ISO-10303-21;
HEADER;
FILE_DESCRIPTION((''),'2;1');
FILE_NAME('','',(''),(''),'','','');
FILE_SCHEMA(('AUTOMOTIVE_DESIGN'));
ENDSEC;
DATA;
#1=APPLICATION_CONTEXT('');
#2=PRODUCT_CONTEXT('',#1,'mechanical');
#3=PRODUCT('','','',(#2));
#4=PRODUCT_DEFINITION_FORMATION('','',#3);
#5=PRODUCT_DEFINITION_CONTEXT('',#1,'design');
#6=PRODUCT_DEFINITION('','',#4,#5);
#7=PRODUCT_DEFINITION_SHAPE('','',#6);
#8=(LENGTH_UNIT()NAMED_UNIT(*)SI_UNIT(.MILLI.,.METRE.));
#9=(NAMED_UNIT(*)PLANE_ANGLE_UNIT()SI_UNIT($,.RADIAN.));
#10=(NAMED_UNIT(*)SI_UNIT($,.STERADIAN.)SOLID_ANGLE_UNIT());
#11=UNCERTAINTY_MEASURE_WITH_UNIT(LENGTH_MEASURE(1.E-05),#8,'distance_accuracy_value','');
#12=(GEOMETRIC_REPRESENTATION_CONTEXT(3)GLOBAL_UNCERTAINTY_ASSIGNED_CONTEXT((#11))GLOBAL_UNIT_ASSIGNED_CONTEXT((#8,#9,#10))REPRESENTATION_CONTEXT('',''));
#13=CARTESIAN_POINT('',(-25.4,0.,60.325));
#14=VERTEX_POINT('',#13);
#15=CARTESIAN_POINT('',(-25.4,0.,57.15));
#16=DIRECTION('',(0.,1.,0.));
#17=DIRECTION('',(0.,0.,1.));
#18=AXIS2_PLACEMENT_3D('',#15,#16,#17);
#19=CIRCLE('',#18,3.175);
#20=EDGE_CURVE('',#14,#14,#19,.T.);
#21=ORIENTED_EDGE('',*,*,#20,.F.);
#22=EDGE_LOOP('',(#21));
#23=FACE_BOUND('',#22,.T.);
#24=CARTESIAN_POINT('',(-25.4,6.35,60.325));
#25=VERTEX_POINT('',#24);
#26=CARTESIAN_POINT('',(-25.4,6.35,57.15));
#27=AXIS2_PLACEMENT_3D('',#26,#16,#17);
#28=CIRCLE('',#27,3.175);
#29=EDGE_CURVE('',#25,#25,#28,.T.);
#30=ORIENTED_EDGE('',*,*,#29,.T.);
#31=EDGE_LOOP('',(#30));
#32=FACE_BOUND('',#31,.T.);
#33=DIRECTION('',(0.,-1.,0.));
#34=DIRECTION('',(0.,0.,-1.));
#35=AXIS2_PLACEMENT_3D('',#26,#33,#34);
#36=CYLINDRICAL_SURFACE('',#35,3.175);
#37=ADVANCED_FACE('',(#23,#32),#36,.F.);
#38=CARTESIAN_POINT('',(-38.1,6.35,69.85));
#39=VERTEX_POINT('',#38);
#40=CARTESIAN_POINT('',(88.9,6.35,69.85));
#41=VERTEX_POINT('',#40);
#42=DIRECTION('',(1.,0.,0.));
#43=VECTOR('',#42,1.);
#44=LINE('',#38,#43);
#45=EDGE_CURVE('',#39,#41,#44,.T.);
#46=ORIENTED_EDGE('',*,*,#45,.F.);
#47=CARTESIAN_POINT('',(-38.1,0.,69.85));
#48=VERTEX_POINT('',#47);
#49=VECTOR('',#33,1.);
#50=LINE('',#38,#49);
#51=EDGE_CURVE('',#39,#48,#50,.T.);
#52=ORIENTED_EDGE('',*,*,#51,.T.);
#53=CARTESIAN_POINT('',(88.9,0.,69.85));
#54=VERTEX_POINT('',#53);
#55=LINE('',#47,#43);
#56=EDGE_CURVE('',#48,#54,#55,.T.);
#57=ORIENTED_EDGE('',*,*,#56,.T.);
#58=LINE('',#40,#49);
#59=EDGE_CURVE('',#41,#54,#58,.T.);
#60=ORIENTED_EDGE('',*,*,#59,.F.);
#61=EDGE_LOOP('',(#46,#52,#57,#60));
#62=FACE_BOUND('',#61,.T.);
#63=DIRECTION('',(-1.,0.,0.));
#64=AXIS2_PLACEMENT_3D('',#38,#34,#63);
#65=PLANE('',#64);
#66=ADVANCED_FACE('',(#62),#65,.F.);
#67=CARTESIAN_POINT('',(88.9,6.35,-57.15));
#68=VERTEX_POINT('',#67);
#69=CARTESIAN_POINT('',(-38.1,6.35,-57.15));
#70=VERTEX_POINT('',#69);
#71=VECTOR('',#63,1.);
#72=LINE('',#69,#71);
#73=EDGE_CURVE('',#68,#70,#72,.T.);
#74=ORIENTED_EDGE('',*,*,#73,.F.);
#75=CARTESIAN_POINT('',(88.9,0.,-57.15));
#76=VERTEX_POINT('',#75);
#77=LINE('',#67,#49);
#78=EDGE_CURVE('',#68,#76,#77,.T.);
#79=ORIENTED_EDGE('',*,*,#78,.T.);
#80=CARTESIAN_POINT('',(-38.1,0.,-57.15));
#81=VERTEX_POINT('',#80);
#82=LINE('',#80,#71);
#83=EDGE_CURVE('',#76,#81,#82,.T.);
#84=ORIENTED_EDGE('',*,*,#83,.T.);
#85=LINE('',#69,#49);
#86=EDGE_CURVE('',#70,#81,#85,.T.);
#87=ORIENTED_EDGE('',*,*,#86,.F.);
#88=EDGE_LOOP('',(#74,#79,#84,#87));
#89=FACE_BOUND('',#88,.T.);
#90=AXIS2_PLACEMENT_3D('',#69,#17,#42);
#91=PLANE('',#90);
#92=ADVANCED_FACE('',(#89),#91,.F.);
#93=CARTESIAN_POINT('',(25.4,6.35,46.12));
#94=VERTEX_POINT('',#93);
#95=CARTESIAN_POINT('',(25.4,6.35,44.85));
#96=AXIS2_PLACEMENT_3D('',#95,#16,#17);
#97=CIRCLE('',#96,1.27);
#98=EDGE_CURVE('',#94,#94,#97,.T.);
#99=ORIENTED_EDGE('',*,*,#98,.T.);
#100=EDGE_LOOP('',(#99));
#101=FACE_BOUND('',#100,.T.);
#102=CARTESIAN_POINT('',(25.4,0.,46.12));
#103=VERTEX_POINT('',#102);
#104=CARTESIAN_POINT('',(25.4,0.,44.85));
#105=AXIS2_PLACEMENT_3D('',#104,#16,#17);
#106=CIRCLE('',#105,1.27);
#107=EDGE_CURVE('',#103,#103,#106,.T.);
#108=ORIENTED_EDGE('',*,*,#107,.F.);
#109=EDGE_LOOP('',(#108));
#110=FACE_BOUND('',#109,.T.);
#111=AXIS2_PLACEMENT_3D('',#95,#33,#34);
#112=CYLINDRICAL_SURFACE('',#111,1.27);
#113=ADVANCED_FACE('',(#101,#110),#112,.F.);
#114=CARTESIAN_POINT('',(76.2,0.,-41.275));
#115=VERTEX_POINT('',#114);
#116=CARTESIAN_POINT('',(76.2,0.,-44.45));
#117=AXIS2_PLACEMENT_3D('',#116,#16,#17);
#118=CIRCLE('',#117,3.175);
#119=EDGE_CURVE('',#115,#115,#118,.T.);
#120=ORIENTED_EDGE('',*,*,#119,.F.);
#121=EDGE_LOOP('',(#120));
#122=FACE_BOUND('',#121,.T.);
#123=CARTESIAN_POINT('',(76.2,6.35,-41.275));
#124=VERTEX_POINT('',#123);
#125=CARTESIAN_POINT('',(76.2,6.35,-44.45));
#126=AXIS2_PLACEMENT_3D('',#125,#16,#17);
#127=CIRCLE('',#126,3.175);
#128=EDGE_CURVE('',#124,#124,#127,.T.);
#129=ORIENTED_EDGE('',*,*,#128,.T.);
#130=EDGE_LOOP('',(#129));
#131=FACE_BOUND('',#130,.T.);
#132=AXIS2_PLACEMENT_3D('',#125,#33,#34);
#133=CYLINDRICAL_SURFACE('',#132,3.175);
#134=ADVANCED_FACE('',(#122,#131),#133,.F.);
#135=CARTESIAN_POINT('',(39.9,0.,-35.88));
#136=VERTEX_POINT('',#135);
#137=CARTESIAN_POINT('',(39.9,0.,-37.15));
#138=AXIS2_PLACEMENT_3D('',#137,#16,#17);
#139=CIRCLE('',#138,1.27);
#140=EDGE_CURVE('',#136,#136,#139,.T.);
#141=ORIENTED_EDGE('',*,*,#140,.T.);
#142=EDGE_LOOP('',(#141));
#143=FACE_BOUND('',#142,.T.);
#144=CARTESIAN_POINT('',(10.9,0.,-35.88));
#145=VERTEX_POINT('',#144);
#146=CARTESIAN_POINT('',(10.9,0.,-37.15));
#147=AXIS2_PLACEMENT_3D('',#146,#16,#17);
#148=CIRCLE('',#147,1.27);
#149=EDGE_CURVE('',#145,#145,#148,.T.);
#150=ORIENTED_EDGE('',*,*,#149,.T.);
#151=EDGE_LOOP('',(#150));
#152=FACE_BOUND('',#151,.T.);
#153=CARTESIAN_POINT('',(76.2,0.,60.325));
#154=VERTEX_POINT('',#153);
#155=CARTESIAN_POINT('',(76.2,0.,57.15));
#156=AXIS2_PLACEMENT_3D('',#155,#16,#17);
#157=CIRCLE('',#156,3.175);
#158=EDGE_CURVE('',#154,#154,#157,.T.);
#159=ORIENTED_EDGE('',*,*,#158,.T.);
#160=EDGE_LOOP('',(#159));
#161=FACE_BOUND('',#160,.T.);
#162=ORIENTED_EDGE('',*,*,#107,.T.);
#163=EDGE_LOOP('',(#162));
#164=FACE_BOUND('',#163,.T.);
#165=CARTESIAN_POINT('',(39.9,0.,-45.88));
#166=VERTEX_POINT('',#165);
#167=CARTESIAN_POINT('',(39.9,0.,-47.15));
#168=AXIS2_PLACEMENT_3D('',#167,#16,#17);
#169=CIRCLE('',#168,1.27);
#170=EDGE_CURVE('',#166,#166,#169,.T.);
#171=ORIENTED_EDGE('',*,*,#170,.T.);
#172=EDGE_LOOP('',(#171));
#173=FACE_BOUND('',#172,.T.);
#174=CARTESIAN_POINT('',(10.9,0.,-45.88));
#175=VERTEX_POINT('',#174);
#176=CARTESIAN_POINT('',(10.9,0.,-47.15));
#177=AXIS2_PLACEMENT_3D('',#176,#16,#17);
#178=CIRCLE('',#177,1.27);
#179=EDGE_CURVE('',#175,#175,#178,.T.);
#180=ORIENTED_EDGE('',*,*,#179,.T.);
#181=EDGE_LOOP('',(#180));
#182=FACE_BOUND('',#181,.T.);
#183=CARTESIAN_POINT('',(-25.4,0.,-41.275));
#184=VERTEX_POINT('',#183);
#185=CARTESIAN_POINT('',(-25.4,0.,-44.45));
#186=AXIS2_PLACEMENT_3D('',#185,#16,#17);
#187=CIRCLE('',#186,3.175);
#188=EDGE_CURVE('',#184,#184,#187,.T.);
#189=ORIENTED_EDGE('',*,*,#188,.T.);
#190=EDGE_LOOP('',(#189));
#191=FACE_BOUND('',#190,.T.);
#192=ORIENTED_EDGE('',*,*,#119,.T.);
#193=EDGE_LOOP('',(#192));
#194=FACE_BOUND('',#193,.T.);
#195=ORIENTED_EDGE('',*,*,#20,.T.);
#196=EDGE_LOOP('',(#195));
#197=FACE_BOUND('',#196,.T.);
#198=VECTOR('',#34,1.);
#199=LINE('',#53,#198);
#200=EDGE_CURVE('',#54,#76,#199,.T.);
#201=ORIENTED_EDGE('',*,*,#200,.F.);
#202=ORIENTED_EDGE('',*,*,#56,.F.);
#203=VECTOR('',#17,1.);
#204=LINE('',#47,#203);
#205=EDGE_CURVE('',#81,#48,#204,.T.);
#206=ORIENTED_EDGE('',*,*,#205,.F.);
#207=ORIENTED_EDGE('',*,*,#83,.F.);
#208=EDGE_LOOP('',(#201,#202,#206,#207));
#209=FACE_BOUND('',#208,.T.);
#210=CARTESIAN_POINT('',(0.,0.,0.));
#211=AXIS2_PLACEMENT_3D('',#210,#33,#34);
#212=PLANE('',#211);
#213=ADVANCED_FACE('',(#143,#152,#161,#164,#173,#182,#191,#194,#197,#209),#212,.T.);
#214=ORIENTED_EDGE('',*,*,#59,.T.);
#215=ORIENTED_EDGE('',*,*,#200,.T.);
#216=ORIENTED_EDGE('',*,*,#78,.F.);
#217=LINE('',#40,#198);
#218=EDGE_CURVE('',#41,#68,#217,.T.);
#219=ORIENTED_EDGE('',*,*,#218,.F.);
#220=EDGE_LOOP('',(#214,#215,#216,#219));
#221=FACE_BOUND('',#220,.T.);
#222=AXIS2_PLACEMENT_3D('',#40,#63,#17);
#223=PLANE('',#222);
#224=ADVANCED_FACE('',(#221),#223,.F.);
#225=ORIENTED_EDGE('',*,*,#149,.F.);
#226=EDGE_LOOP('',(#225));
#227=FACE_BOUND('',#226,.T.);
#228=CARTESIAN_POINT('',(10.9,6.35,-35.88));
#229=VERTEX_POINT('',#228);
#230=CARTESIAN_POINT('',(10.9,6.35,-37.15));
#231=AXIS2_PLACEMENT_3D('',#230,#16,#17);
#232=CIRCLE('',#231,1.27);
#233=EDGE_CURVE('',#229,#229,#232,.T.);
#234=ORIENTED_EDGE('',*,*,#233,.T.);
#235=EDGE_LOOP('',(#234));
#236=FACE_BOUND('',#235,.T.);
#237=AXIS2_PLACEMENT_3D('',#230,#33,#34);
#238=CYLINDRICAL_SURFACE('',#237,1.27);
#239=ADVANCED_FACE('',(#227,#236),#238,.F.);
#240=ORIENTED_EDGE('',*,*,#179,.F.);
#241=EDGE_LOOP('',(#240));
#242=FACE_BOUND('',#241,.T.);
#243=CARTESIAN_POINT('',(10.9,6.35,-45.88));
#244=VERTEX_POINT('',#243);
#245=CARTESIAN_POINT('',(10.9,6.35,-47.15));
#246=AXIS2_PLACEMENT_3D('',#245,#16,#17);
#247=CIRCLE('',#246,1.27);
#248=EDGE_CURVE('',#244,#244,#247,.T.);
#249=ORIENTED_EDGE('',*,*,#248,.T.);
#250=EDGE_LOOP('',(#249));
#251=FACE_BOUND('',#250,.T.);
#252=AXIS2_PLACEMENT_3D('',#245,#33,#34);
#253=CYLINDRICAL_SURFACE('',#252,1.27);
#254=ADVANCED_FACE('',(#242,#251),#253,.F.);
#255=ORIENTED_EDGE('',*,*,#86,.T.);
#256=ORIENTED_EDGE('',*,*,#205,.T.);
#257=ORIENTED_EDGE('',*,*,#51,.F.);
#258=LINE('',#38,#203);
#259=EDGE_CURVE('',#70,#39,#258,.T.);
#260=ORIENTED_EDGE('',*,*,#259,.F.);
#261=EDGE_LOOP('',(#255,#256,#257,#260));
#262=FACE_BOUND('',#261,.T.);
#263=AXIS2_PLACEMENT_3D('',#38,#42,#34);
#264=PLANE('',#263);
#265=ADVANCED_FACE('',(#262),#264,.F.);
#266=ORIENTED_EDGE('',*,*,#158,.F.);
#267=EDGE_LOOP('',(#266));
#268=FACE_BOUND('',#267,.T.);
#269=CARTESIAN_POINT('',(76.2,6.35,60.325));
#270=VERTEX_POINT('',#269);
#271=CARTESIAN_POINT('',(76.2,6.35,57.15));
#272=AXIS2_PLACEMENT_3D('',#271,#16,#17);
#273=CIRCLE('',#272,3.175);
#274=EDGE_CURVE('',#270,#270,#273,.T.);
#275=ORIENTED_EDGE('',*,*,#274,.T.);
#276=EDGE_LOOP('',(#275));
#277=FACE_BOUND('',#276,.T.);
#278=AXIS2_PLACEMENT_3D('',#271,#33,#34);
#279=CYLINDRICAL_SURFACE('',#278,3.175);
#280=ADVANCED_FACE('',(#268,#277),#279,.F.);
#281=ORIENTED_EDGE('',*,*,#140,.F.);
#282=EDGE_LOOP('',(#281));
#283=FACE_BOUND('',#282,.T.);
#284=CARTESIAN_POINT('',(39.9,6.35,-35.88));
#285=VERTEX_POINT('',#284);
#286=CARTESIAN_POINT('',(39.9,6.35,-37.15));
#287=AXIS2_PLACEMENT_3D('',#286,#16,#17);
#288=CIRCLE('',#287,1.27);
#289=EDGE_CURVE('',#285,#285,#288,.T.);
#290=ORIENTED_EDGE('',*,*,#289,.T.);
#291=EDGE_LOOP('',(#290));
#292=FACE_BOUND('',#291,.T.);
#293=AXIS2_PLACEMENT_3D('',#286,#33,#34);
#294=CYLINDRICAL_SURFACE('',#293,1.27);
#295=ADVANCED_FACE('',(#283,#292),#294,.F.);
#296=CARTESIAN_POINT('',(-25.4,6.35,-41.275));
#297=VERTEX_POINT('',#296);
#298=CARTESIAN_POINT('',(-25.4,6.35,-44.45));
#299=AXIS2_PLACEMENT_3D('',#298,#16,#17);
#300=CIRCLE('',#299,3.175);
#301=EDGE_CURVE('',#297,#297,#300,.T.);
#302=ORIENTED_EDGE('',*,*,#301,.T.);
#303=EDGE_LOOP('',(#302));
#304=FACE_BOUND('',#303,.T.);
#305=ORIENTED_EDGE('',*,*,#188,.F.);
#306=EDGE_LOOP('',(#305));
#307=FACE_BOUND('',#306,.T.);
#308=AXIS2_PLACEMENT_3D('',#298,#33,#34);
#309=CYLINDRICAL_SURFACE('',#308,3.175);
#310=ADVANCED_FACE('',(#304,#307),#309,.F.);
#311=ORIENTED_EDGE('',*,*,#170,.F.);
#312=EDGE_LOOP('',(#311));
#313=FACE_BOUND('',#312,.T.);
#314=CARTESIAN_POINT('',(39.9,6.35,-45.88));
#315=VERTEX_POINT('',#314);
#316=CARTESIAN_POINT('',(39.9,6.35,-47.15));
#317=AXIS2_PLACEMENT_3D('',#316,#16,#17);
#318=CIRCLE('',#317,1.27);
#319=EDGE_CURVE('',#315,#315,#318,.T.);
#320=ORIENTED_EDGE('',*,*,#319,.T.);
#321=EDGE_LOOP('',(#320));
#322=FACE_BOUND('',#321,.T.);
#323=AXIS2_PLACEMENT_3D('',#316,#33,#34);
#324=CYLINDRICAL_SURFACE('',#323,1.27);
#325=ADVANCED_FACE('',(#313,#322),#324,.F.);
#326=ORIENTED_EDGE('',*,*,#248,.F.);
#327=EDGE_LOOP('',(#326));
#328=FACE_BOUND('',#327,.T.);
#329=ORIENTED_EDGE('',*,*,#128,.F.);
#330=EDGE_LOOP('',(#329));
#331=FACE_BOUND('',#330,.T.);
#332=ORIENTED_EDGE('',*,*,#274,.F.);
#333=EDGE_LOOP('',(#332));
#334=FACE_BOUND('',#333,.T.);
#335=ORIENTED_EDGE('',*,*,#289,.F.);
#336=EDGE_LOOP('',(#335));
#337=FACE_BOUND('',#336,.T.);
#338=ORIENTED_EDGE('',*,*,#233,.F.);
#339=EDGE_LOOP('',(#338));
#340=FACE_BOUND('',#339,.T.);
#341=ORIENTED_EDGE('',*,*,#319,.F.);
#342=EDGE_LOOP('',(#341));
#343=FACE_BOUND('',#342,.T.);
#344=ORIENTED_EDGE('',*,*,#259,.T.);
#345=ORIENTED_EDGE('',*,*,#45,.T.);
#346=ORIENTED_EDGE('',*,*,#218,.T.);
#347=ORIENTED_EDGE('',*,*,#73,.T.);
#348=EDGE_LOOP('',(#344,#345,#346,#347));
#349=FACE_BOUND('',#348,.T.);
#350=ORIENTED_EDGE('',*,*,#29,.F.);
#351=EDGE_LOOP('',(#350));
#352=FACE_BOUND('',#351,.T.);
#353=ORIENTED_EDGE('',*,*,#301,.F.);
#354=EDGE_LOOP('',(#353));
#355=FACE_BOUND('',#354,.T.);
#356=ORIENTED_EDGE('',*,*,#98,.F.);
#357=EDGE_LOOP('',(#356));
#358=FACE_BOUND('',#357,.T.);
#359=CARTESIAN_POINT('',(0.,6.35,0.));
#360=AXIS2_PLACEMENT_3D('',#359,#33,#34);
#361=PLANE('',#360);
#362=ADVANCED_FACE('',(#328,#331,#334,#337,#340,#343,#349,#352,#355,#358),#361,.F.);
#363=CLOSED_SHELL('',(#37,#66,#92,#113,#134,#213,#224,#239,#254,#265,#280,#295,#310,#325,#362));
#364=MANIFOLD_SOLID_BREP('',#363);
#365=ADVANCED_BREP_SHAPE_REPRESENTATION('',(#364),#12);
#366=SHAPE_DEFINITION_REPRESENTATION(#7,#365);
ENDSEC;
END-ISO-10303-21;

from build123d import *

# Parameters (mm, degrees)
SKETCH1_W           = 127
SKETCH1_H           = 127
SKETCH1_R           = 1.27
SKETCH1_R_2         = 3.175
BOSS_EXTRUDE1_DEPTH = 6.35


with BuildPart() as part:
    # Sketch1 → Boss-Extrude1 (new body)
    with BuildSketch(Plane(origin=(0, 0, 0), x_dir=(1, 0, 0), z_dir=(0, 1, 0))):
        with Locations((25.4, -6.35)):
            Rectangle(SKETCH1_W, SKETCH1_H)
        with Locations(Location((10.9, 47.15, 0), (0, 0, 270))):
            Circle(SKETCH1_R, mode=Mode.SUBTRACT)
        with Locations(Location((39.9, 47.15, 0), (0, 0, 270))):
            Circle(SKETCH1_R, mode=Mode.SUBTRACT)
        with Locations(Location((25.4, -44.85, 0), (0, 0, 270))):
            Circle(SKETCH1_R, mode=Mode.SUBTRACT)
        with Locations(Location((10.9, 37.15, 0), (0, 0, 270))):
            Circle(SKETCH1_R, mode=Mode.SUBTRACT)
        with Locations(Location((39.9, 37.15, 0), (0, 0, 270))):
            Circle(SKETCH1_R, mode=Mode.SUBTRACT)
        with Locations(Location((-25.4, 44.45, 0), (0, 0, 270))):
            Circle(SKETCH1_R_2, mode=Mode.SUBTRACT)
        with Locations(Location((76.2, 44.45, 0), (0, 0, 270))):
            Circle(SKETCH1_R_2, mode=Mode.SUBTRACT)
        with Locations(Location((76.2, -57.15, 0), (0, 0, 270))):
            Circle(SKETCH1_R_2, mode=Mode.SUBTRACT)
        with Locations(Location((-25.4, -57.15, 0), (0, 0, 270))):
            Circle(SKETCH1_R_2, mode=Mode.SUBTRACT)
    extrude(amount=BOSS_EXTRUDE1_DEPTH)


solid = part.part
